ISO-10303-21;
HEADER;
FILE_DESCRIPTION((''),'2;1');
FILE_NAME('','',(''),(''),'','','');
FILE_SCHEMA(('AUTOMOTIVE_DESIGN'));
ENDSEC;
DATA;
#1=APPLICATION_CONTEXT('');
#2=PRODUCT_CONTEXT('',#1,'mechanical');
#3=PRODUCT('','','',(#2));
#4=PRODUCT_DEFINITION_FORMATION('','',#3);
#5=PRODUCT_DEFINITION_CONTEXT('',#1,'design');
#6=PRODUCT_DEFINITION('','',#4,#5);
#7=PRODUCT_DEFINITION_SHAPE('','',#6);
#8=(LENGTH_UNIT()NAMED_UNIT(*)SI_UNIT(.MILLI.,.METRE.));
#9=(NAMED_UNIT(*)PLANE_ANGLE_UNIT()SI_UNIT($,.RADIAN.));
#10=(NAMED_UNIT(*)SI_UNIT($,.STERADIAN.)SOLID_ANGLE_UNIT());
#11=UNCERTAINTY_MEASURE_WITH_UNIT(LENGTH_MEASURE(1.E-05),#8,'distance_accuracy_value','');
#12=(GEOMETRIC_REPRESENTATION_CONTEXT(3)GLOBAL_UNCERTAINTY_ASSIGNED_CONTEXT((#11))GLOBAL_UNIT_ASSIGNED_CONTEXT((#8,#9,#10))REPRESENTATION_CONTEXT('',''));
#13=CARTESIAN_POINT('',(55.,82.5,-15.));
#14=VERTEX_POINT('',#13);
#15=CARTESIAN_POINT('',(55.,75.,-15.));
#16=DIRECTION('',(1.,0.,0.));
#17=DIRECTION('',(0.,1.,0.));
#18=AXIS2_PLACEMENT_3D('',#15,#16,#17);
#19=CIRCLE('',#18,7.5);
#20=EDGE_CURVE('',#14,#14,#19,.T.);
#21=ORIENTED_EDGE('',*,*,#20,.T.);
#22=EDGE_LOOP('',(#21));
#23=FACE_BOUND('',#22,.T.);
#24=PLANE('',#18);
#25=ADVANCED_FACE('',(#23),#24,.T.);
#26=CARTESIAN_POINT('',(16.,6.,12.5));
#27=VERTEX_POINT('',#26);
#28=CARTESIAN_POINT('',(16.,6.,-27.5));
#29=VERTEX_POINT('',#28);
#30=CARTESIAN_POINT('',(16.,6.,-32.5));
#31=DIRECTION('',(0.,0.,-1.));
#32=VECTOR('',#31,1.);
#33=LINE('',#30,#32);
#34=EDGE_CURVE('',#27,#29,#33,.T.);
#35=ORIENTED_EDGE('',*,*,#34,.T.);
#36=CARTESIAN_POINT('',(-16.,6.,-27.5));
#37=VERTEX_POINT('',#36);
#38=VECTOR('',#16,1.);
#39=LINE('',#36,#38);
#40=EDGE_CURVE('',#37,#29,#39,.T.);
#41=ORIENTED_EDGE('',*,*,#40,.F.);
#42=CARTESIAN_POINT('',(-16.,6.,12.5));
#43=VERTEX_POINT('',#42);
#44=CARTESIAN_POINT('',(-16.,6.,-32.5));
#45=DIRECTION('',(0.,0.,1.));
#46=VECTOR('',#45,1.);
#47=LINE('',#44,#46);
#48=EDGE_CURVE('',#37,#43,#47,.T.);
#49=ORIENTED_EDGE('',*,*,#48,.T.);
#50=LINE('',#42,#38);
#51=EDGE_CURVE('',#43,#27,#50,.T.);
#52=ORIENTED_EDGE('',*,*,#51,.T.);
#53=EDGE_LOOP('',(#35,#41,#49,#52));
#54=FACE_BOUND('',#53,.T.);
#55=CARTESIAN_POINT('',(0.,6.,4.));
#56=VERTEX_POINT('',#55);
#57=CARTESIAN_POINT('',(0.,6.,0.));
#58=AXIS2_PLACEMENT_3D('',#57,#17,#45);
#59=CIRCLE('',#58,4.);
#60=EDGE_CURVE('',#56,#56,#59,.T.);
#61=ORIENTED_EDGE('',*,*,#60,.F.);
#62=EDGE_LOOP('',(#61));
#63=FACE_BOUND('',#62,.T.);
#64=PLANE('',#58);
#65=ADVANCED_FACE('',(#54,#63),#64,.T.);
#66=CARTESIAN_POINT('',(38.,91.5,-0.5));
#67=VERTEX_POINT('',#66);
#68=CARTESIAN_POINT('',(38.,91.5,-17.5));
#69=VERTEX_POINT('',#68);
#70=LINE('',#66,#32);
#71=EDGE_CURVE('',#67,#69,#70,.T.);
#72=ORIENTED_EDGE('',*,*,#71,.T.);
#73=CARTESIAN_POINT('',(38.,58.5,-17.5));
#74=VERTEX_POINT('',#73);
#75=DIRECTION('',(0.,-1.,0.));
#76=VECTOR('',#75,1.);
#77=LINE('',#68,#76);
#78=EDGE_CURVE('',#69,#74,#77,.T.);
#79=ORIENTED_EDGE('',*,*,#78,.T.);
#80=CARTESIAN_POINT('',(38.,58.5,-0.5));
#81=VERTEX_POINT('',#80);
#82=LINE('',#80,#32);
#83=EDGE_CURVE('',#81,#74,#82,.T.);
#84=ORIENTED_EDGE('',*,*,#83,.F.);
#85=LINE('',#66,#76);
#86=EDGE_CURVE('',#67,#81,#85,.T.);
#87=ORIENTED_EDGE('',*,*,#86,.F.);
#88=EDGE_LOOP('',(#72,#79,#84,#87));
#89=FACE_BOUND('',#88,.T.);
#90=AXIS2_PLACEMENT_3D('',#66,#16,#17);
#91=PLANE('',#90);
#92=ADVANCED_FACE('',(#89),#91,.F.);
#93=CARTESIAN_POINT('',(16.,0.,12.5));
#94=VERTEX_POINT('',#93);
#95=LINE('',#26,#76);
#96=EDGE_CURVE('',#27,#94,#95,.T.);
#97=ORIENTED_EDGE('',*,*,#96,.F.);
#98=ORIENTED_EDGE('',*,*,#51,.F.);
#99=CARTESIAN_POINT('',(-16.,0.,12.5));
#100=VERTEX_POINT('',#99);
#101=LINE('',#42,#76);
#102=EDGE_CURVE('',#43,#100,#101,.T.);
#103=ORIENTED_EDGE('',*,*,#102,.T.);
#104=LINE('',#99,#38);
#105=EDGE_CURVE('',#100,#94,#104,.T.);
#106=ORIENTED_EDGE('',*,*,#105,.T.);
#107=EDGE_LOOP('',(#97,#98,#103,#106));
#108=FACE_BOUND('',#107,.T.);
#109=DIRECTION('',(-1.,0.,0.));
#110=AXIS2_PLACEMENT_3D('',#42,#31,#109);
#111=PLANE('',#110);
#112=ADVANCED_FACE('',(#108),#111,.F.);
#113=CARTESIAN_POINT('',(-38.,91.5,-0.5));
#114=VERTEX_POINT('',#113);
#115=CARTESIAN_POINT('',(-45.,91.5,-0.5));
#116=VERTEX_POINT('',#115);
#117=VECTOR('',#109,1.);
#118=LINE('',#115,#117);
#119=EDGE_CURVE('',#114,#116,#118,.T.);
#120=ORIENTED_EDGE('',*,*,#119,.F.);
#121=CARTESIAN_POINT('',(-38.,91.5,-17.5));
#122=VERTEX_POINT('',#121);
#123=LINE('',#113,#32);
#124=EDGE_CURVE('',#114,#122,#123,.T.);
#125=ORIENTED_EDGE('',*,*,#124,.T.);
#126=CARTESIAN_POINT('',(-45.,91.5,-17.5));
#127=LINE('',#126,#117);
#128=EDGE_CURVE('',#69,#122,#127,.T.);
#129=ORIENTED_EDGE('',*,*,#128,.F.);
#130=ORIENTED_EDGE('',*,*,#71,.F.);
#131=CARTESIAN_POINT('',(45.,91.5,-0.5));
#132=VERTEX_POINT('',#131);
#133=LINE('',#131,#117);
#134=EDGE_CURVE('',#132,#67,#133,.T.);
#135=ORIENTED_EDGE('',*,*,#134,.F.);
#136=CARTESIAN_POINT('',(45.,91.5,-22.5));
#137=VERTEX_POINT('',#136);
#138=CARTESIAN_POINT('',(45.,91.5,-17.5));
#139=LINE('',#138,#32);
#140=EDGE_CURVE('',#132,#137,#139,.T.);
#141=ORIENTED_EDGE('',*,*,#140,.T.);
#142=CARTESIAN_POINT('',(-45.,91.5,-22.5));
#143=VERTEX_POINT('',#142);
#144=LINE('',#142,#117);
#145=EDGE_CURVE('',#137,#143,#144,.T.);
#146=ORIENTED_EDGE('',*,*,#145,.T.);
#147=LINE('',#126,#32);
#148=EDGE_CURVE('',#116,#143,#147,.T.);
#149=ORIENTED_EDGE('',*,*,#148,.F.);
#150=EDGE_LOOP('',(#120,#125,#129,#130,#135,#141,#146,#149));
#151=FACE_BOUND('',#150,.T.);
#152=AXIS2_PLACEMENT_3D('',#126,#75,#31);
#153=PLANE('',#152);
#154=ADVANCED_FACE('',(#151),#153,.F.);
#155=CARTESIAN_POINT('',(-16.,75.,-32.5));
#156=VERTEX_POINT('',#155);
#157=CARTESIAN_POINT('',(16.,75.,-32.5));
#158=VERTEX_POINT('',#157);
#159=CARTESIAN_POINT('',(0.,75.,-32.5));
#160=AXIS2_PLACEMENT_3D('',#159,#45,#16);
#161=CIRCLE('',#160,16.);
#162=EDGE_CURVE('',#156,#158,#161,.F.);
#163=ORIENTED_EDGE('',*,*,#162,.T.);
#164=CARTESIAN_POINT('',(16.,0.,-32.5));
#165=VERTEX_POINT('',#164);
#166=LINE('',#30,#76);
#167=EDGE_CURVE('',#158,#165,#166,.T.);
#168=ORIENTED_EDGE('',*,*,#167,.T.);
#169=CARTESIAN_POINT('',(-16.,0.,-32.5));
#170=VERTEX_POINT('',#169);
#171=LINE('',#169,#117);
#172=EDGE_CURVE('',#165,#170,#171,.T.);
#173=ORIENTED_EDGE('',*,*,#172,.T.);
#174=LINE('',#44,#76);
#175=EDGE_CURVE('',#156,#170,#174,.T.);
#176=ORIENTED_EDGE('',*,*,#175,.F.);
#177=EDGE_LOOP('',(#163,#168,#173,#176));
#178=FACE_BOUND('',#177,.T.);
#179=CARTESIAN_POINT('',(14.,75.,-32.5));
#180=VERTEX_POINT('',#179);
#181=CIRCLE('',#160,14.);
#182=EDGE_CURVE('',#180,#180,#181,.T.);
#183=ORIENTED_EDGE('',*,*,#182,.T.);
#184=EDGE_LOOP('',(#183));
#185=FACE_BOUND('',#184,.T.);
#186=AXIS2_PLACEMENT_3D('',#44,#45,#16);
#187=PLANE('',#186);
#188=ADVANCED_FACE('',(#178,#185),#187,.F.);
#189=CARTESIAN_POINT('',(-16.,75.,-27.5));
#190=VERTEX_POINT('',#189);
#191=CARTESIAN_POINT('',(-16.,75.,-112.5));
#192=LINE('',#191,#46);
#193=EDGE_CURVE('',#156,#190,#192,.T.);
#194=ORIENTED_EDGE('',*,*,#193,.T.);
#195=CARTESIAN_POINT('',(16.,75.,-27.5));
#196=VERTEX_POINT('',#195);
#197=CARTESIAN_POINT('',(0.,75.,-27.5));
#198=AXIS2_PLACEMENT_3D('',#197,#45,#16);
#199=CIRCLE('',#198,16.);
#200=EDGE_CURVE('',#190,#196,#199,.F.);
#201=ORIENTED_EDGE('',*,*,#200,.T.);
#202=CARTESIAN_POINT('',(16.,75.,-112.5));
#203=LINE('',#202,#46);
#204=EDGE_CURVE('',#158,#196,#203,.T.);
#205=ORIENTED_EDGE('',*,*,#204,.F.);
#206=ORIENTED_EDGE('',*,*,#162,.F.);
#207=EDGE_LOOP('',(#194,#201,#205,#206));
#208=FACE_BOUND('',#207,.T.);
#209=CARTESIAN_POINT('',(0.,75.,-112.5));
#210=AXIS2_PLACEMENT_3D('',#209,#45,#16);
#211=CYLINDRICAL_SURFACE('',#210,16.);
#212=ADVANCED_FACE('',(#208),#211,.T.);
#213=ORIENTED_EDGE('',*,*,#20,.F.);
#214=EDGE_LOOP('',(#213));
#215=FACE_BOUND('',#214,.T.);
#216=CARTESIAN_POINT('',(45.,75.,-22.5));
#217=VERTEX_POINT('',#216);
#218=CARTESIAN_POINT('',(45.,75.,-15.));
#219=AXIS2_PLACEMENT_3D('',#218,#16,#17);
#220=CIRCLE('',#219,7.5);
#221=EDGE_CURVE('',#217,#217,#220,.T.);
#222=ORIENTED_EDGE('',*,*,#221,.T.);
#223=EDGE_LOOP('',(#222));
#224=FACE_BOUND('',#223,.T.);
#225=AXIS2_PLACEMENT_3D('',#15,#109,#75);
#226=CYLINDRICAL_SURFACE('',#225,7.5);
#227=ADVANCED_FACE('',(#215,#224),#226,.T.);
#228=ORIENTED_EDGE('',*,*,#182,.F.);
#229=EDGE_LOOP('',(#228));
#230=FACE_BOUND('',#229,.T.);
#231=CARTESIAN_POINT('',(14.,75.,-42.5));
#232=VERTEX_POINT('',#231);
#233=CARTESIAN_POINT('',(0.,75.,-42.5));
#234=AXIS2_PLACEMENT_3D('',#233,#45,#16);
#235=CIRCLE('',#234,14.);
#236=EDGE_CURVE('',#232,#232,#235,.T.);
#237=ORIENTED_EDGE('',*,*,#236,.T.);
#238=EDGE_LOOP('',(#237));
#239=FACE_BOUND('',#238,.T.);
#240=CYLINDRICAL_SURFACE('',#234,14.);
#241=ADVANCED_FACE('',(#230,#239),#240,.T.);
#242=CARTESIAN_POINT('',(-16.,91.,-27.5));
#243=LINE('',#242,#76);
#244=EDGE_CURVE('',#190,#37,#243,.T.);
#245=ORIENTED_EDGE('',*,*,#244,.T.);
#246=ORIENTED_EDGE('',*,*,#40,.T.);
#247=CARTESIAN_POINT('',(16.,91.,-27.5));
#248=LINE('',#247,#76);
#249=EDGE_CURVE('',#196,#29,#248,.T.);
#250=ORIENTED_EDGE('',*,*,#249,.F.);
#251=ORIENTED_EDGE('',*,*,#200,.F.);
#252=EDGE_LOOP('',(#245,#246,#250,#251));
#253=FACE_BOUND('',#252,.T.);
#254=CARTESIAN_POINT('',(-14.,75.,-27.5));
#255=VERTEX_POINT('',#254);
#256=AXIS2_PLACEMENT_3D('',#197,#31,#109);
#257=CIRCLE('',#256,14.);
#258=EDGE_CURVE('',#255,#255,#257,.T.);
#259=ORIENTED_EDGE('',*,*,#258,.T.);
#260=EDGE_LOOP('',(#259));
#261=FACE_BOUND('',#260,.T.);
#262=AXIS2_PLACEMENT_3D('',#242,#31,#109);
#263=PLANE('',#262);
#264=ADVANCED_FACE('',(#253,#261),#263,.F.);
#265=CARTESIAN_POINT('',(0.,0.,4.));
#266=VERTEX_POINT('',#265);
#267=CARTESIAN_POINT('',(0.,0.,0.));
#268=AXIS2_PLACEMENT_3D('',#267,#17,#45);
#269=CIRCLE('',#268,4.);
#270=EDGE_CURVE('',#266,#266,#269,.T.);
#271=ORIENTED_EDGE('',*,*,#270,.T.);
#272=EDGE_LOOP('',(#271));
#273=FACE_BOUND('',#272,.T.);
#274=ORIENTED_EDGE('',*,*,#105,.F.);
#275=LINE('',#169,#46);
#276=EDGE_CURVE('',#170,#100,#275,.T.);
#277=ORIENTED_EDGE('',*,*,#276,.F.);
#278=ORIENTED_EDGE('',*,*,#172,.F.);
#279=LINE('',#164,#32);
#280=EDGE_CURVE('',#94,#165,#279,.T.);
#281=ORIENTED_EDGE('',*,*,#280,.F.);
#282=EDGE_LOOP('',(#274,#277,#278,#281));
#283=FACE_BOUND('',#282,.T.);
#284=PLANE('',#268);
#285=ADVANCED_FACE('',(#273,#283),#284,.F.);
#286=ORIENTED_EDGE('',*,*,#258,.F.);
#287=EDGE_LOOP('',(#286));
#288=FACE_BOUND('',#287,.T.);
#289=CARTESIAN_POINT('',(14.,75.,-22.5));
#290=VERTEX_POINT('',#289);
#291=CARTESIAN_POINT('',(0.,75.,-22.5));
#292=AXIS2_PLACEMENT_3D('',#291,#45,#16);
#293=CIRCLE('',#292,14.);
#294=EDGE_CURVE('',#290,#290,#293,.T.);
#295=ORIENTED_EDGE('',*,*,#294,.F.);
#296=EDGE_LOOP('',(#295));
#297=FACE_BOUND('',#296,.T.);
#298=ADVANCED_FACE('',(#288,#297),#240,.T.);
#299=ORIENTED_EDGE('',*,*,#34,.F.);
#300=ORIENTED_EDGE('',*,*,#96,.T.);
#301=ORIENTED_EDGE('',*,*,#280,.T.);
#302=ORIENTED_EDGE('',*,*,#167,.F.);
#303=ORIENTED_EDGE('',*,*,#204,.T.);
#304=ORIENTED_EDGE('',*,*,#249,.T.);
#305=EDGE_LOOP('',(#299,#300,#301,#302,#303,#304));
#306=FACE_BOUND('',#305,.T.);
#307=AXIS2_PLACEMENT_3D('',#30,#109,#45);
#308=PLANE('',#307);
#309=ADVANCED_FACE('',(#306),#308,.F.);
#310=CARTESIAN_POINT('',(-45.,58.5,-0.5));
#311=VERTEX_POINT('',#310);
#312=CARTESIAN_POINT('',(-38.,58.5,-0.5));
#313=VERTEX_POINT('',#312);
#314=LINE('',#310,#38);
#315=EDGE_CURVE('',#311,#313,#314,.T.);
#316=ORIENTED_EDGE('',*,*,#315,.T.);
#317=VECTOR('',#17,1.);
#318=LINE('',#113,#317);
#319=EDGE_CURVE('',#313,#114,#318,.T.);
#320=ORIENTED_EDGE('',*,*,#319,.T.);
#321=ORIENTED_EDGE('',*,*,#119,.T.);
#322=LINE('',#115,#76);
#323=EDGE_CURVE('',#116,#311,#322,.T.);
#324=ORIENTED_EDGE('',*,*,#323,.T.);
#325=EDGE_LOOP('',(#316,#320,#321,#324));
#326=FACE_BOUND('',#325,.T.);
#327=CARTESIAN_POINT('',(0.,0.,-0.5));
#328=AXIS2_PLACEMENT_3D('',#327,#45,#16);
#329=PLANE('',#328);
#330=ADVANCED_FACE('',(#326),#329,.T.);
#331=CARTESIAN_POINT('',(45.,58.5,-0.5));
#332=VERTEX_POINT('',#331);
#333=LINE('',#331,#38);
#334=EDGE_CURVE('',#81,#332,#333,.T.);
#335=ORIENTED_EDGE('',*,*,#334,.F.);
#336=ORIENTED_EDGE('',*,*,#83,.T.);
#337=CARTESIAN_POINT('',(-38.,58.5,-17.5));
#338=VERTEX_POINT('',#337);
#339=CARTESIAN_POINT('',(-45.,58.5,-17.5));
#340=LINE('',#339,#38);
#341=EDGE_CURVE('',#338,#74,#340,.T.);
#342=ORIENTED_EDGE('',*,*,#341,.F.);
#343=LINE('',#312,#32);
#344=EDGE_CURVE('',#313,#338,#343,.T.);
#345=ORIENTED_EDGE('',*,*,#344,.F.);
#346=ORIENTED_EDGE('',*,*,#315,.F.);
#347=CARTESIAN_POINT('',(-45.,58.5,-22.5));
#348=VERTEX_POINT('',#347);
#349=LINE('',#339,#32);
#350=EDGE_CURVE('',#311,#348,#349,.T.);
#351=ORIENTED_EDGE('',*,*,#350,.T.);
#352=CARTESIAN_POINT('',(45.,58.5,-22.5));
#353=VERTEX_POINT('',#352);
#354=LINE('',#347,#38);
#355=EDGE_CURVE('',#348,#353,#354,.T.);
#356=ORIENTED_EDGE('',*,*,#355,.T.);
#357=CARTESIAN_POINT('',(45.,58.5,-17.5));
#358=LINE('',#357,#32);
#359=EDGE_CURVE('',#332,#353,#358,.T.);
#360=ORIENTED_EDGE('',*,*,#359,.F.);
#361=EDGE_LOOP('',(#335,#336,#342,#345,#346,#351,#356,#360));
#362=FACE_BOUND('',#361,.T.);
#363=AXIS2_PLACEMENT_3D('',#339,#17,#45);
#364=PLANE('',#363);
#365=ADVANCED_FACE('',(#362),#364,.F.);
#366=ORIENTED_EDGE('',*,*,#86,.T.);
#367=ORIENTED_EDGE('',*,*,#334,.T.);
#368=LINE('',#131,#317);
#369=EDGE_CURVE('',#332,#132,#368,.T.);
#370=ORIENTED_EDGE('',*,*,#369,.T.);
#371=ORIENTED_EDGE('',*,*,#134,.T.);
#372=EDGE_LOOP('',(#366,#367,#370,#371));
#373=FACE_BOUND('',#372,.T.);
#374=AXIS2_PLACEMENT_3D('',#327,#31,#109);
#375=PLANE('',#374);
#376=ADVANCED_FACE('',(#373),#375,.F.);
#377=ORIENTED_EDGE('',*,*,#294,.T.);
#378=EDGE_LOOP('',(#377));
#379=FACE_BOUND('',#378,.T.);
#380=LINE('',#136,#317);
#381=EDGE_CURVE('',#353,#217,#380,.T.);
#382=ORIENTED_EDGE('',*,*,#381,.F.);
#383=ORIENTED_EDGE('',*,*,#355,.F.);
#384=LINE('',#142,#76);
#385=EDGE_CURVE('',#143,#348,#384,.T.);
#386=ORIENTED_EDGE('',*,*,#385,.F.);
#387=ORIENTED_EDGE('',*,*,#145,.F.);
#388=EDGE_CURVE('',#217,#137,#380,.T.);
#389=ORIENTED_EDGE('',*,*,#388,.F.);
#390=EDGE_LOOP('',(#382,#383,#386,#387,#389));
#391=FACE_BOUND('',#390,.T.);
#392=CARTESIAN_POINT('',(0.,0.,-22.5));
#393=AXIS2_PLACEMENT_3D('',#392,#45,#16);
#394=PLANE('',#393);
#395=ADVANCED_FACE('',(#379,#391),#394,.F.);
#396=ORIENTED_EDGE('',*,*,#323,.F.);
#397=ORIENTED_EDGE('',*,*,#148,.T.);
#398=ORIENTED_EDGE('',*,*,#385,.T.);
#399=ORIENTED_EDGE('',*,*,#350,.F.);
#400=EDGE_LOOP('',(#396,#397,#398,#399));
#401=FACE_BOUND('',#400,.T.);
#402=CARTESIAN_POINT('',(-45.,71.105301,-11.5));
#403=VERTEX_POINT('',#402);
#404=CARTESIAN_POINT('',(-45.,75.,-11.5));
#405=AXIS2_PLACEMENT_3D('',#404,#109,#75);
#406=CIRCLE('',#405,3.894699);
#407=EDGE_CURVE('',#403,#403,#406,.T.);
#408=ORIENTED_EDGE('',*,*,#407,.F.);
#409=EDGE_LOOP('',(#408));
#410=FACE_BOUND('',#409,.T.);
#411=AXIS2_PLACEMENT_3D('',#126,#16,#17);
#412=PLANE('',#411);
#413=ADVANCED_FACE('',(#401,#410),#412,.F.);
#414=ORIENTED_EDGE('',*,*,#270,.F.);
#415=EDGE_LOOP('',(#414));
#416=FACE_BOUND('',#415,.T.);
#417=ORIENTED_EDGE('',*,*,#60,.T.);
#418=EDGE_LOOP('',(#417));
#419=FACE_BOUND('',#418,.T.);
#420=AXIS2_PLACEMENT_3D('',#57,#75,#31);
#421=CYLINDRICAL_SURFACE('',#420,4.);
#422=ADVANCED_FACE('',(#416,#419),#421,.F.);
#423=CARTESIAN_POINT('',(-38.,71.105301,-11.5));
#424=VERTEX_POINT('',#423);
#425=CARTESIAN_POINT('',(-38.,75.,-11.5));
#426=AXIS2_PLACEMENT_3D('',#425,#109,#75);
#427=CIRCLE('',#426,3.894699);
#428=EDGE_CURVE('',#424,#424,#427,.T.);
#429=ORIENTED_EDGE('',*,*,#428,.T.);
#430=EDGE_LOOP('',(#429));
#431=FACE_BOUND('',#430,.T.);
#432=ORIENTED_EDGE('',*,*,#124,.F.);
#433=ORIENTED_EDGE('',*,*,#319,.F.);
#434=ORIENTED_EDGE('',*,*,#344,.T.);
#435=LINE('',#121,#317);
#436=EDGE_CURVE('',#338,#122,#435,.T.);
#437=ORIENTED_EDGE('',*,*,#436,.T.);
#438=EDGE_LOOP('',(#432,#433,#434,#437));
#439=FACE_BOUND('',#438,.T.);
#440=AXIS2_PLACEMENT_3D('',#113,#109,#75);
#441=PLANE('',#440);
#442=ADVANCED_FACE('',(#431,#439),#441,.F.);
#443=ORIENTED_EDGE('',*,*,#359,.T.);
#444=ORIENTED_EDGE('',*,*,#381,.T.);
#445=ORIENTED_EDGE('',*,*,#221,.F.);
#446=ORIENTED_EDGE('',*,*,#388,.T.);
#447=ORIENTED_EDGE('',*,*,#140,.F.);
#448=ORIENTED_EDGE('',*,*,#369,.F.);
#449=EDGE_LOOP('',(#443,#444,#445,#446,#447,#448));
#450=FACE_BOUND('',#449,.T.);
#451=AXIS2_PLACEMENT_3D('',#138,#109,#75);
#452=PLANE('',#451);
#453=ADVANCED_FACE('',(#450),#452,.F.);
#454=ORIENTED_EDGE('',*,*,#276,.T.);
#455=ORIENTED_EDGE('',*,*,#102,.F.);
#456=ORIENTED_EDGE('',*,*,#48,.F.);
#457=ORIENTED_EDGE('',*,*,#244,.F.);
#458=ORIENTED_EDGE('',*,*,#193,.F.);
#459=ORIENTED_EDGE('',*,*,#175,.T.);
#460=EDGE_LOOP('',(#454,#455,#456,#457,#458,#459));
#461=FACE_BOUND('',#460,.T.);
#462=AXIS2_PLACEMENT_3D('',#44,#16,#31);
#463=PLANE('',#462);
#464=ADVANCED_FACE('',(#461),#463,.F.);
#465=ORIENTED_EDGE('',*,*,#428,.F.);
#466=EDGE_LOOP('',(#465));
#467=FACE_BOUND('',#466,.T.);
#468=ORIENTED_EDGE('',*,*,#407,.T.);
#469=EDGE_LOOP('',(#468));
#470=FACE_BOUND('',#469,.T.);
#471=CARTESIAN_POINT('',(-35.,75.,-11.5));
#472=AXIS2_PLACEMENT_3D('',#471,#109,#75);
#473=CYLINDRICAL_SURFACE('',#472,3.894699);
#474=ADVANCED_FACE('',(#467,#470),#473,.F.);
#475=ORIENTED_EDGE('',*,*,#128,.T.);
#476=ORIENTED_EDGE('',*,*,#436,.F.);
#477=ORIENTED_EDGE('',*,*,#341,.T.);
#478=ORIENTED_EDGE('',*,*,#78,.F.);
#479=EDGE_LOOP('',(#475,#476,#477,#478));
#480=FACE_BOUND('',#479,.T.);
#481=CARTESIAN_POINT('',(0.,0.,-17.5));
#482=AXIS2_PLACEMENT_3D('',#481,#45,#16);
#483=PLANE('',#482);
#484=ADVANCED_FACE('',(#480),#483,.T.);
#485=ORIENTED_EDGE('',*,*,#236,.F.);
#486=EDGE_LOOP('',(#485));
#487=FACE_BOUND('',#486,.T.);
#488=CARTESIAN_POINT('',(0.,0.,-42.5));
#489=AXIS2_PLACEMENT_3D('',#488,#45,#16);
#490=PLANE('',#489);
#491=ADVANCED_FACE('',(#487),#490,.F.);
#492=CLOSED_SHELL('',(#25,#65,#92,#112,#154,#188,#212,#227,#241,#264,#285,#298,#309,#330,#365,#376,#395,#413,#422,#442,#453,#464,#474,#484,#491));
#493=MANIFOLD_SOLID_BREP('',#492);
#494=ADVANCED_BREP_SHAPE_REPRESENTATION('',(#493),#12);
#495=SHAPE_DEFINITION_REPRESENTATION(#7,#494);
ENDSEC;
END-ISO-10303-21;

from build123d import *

# Parameters (mm, degrees)
SKETCH1_W                = 32
SKETCH1_H                = 45
SKETCH1_R                = 4
BOSS_EXTRUDE1_DEPTH      = 6
SKETCH2_W                = 32
SKETCH2_H                = 5
BOSS_EXTRUDE2_DEPTH      = 85
CUT_EXTRUDE1_DEPTH       = 85
BOSS_EXTRUDE4_DEPTH      = 5
BOSS_EXTRUDE4_DEPTH_BACK = 15
SKETCH5_W                = 90
SKETCH5_H                = 33
BOSS_EXTRUDE5_DEPTH      = 5
SKETCH6_W                = 7
SKETCH6_H                = 33
BOSS_EXTRUDE6_DEPTH      = 17
SKETCH7_R                = 7.5
BOSS_EXTRUDE7_DEPTH      = 10
SKETCH8_R                = 3.894699497
CUT_EXTRUDE2_DEPTH       = 10


with BuildPart() as part:
    # Sketch1 → Boss-Extrude1 (new body)
    with BuildSketch(Plane(origin=(0, 0, 0), x_dir=(1, 0, 0), z_dir=(0, 1, 0))):
        with Locations((0, 10)):
            Rectangle(SKETCH1_W, SKETCH1_H)
        Circle(SKETCH1_R, mode=Mode.SUBTRACT)
    extrude(amount=BOSS_EXTRUDE1_DEPTH)

    # Sketch2 → Boss-Extrude2 (add)
    with BuildSketch(Plane(origin=(0, 6, 0), x_dir=(1, 0, 0), z_dir=(0, 1, 0))):
        with Locations((0, 30)):
            Rectangle(SKETCH2_W, SKETCH2_H)
    extrude(amount=BOSS_EXTRUDE2_DEPTH)

    # Sketch3 → Cut-Extrude1 (cut)
    with BuildSketch(Plane.XY.offset(-27.5)):
        with BuildLine():
            Line((-16, 91), (-16, 75))
            ThreePointArc((-16, 75), (-11.313708499, 86.313708499), (0, 91))
            Line((0, 91), (-16, 91))
        make_face()
        with BuildLine():
            ThreePointArc((0, 91), (11.313708499, 86.313708499), (16, 75))
            Line((16, 75), (16, 91))
            Line((16, 91), (0, 91))
        make_face()
    extrude(amount=-CUT_EXTRUDE1_DEPTH, mode=Mode.SUBTRACT)

    # Sketch4 → Boss-Extrude4 (add, two sides)
    with BuildSketch(Plane.XY.offset(-27.5)) as boss_extrude4_sk:
        with BuildLine():
            ThreePointArc((14, 75), (0, 89), (-14, 75))
            Line((-14, 75), (14, 75))
        make_face()
        with BuildLine():
            Line((14, 75), (-14, 75))
            ThreePointArc((-14, 75), (0, 61), (14, 75))
        make_face()
    extrude(amount=BOSS_EXTRUDE4_DEPTH)
    extrude(boss_extrude4_sk.sketch, amount=-BOSS_EXTRUDE4_DEPTH_BACK)

    # Sketch5 → Boss-Extrude5 (add)
    with BuildSketch(Plane.XY.offset(-22.5)):
        with Locations((0, 75)):
            Rectangle(SKETCH5_W, SKETCH5_H)
    extrude(amount=BOSS_EXTRUDE5_DEPTH)

    # Sketch6 → Boss-Extrude6 (add)
    with BuildSketch(Plane.XY.offset(-17.5)):
        with Locations((-41.5, 75)):
            Rectangle(SKETCH6_W, SKETCH6_H)
        with Locations((41.5, 75)):
            Rectangle(SKETCH6_W, SKETCH6_H)
    extrude(amount=BOSS_EXTRUDE6_DEPTH)

    # Sketch7 → Boss-Extrude7 (add)
    with BuildSketch(Plane(origin=(45, 0, 0), x_dir=(0, 0, -1), z_dir=(1, 0, 0))):
        with Locations((15, 75)):
            Circle(SKETCH7_R)
    extrude(amount=BOSS_EXTRUDE7_DEPTH)

    # Sketch8 → Cut-Extrude2 (cut)
    with BuildSketch(Plane.ZY.offset(45)):
        with Locations((-11.5, 75)):
            Circle(SKETCH8_R)
    extrude(amount=-CUT_EXTRUDE2_DEPTH, mode=Mode.SUBTRACT)


solid = part.part
